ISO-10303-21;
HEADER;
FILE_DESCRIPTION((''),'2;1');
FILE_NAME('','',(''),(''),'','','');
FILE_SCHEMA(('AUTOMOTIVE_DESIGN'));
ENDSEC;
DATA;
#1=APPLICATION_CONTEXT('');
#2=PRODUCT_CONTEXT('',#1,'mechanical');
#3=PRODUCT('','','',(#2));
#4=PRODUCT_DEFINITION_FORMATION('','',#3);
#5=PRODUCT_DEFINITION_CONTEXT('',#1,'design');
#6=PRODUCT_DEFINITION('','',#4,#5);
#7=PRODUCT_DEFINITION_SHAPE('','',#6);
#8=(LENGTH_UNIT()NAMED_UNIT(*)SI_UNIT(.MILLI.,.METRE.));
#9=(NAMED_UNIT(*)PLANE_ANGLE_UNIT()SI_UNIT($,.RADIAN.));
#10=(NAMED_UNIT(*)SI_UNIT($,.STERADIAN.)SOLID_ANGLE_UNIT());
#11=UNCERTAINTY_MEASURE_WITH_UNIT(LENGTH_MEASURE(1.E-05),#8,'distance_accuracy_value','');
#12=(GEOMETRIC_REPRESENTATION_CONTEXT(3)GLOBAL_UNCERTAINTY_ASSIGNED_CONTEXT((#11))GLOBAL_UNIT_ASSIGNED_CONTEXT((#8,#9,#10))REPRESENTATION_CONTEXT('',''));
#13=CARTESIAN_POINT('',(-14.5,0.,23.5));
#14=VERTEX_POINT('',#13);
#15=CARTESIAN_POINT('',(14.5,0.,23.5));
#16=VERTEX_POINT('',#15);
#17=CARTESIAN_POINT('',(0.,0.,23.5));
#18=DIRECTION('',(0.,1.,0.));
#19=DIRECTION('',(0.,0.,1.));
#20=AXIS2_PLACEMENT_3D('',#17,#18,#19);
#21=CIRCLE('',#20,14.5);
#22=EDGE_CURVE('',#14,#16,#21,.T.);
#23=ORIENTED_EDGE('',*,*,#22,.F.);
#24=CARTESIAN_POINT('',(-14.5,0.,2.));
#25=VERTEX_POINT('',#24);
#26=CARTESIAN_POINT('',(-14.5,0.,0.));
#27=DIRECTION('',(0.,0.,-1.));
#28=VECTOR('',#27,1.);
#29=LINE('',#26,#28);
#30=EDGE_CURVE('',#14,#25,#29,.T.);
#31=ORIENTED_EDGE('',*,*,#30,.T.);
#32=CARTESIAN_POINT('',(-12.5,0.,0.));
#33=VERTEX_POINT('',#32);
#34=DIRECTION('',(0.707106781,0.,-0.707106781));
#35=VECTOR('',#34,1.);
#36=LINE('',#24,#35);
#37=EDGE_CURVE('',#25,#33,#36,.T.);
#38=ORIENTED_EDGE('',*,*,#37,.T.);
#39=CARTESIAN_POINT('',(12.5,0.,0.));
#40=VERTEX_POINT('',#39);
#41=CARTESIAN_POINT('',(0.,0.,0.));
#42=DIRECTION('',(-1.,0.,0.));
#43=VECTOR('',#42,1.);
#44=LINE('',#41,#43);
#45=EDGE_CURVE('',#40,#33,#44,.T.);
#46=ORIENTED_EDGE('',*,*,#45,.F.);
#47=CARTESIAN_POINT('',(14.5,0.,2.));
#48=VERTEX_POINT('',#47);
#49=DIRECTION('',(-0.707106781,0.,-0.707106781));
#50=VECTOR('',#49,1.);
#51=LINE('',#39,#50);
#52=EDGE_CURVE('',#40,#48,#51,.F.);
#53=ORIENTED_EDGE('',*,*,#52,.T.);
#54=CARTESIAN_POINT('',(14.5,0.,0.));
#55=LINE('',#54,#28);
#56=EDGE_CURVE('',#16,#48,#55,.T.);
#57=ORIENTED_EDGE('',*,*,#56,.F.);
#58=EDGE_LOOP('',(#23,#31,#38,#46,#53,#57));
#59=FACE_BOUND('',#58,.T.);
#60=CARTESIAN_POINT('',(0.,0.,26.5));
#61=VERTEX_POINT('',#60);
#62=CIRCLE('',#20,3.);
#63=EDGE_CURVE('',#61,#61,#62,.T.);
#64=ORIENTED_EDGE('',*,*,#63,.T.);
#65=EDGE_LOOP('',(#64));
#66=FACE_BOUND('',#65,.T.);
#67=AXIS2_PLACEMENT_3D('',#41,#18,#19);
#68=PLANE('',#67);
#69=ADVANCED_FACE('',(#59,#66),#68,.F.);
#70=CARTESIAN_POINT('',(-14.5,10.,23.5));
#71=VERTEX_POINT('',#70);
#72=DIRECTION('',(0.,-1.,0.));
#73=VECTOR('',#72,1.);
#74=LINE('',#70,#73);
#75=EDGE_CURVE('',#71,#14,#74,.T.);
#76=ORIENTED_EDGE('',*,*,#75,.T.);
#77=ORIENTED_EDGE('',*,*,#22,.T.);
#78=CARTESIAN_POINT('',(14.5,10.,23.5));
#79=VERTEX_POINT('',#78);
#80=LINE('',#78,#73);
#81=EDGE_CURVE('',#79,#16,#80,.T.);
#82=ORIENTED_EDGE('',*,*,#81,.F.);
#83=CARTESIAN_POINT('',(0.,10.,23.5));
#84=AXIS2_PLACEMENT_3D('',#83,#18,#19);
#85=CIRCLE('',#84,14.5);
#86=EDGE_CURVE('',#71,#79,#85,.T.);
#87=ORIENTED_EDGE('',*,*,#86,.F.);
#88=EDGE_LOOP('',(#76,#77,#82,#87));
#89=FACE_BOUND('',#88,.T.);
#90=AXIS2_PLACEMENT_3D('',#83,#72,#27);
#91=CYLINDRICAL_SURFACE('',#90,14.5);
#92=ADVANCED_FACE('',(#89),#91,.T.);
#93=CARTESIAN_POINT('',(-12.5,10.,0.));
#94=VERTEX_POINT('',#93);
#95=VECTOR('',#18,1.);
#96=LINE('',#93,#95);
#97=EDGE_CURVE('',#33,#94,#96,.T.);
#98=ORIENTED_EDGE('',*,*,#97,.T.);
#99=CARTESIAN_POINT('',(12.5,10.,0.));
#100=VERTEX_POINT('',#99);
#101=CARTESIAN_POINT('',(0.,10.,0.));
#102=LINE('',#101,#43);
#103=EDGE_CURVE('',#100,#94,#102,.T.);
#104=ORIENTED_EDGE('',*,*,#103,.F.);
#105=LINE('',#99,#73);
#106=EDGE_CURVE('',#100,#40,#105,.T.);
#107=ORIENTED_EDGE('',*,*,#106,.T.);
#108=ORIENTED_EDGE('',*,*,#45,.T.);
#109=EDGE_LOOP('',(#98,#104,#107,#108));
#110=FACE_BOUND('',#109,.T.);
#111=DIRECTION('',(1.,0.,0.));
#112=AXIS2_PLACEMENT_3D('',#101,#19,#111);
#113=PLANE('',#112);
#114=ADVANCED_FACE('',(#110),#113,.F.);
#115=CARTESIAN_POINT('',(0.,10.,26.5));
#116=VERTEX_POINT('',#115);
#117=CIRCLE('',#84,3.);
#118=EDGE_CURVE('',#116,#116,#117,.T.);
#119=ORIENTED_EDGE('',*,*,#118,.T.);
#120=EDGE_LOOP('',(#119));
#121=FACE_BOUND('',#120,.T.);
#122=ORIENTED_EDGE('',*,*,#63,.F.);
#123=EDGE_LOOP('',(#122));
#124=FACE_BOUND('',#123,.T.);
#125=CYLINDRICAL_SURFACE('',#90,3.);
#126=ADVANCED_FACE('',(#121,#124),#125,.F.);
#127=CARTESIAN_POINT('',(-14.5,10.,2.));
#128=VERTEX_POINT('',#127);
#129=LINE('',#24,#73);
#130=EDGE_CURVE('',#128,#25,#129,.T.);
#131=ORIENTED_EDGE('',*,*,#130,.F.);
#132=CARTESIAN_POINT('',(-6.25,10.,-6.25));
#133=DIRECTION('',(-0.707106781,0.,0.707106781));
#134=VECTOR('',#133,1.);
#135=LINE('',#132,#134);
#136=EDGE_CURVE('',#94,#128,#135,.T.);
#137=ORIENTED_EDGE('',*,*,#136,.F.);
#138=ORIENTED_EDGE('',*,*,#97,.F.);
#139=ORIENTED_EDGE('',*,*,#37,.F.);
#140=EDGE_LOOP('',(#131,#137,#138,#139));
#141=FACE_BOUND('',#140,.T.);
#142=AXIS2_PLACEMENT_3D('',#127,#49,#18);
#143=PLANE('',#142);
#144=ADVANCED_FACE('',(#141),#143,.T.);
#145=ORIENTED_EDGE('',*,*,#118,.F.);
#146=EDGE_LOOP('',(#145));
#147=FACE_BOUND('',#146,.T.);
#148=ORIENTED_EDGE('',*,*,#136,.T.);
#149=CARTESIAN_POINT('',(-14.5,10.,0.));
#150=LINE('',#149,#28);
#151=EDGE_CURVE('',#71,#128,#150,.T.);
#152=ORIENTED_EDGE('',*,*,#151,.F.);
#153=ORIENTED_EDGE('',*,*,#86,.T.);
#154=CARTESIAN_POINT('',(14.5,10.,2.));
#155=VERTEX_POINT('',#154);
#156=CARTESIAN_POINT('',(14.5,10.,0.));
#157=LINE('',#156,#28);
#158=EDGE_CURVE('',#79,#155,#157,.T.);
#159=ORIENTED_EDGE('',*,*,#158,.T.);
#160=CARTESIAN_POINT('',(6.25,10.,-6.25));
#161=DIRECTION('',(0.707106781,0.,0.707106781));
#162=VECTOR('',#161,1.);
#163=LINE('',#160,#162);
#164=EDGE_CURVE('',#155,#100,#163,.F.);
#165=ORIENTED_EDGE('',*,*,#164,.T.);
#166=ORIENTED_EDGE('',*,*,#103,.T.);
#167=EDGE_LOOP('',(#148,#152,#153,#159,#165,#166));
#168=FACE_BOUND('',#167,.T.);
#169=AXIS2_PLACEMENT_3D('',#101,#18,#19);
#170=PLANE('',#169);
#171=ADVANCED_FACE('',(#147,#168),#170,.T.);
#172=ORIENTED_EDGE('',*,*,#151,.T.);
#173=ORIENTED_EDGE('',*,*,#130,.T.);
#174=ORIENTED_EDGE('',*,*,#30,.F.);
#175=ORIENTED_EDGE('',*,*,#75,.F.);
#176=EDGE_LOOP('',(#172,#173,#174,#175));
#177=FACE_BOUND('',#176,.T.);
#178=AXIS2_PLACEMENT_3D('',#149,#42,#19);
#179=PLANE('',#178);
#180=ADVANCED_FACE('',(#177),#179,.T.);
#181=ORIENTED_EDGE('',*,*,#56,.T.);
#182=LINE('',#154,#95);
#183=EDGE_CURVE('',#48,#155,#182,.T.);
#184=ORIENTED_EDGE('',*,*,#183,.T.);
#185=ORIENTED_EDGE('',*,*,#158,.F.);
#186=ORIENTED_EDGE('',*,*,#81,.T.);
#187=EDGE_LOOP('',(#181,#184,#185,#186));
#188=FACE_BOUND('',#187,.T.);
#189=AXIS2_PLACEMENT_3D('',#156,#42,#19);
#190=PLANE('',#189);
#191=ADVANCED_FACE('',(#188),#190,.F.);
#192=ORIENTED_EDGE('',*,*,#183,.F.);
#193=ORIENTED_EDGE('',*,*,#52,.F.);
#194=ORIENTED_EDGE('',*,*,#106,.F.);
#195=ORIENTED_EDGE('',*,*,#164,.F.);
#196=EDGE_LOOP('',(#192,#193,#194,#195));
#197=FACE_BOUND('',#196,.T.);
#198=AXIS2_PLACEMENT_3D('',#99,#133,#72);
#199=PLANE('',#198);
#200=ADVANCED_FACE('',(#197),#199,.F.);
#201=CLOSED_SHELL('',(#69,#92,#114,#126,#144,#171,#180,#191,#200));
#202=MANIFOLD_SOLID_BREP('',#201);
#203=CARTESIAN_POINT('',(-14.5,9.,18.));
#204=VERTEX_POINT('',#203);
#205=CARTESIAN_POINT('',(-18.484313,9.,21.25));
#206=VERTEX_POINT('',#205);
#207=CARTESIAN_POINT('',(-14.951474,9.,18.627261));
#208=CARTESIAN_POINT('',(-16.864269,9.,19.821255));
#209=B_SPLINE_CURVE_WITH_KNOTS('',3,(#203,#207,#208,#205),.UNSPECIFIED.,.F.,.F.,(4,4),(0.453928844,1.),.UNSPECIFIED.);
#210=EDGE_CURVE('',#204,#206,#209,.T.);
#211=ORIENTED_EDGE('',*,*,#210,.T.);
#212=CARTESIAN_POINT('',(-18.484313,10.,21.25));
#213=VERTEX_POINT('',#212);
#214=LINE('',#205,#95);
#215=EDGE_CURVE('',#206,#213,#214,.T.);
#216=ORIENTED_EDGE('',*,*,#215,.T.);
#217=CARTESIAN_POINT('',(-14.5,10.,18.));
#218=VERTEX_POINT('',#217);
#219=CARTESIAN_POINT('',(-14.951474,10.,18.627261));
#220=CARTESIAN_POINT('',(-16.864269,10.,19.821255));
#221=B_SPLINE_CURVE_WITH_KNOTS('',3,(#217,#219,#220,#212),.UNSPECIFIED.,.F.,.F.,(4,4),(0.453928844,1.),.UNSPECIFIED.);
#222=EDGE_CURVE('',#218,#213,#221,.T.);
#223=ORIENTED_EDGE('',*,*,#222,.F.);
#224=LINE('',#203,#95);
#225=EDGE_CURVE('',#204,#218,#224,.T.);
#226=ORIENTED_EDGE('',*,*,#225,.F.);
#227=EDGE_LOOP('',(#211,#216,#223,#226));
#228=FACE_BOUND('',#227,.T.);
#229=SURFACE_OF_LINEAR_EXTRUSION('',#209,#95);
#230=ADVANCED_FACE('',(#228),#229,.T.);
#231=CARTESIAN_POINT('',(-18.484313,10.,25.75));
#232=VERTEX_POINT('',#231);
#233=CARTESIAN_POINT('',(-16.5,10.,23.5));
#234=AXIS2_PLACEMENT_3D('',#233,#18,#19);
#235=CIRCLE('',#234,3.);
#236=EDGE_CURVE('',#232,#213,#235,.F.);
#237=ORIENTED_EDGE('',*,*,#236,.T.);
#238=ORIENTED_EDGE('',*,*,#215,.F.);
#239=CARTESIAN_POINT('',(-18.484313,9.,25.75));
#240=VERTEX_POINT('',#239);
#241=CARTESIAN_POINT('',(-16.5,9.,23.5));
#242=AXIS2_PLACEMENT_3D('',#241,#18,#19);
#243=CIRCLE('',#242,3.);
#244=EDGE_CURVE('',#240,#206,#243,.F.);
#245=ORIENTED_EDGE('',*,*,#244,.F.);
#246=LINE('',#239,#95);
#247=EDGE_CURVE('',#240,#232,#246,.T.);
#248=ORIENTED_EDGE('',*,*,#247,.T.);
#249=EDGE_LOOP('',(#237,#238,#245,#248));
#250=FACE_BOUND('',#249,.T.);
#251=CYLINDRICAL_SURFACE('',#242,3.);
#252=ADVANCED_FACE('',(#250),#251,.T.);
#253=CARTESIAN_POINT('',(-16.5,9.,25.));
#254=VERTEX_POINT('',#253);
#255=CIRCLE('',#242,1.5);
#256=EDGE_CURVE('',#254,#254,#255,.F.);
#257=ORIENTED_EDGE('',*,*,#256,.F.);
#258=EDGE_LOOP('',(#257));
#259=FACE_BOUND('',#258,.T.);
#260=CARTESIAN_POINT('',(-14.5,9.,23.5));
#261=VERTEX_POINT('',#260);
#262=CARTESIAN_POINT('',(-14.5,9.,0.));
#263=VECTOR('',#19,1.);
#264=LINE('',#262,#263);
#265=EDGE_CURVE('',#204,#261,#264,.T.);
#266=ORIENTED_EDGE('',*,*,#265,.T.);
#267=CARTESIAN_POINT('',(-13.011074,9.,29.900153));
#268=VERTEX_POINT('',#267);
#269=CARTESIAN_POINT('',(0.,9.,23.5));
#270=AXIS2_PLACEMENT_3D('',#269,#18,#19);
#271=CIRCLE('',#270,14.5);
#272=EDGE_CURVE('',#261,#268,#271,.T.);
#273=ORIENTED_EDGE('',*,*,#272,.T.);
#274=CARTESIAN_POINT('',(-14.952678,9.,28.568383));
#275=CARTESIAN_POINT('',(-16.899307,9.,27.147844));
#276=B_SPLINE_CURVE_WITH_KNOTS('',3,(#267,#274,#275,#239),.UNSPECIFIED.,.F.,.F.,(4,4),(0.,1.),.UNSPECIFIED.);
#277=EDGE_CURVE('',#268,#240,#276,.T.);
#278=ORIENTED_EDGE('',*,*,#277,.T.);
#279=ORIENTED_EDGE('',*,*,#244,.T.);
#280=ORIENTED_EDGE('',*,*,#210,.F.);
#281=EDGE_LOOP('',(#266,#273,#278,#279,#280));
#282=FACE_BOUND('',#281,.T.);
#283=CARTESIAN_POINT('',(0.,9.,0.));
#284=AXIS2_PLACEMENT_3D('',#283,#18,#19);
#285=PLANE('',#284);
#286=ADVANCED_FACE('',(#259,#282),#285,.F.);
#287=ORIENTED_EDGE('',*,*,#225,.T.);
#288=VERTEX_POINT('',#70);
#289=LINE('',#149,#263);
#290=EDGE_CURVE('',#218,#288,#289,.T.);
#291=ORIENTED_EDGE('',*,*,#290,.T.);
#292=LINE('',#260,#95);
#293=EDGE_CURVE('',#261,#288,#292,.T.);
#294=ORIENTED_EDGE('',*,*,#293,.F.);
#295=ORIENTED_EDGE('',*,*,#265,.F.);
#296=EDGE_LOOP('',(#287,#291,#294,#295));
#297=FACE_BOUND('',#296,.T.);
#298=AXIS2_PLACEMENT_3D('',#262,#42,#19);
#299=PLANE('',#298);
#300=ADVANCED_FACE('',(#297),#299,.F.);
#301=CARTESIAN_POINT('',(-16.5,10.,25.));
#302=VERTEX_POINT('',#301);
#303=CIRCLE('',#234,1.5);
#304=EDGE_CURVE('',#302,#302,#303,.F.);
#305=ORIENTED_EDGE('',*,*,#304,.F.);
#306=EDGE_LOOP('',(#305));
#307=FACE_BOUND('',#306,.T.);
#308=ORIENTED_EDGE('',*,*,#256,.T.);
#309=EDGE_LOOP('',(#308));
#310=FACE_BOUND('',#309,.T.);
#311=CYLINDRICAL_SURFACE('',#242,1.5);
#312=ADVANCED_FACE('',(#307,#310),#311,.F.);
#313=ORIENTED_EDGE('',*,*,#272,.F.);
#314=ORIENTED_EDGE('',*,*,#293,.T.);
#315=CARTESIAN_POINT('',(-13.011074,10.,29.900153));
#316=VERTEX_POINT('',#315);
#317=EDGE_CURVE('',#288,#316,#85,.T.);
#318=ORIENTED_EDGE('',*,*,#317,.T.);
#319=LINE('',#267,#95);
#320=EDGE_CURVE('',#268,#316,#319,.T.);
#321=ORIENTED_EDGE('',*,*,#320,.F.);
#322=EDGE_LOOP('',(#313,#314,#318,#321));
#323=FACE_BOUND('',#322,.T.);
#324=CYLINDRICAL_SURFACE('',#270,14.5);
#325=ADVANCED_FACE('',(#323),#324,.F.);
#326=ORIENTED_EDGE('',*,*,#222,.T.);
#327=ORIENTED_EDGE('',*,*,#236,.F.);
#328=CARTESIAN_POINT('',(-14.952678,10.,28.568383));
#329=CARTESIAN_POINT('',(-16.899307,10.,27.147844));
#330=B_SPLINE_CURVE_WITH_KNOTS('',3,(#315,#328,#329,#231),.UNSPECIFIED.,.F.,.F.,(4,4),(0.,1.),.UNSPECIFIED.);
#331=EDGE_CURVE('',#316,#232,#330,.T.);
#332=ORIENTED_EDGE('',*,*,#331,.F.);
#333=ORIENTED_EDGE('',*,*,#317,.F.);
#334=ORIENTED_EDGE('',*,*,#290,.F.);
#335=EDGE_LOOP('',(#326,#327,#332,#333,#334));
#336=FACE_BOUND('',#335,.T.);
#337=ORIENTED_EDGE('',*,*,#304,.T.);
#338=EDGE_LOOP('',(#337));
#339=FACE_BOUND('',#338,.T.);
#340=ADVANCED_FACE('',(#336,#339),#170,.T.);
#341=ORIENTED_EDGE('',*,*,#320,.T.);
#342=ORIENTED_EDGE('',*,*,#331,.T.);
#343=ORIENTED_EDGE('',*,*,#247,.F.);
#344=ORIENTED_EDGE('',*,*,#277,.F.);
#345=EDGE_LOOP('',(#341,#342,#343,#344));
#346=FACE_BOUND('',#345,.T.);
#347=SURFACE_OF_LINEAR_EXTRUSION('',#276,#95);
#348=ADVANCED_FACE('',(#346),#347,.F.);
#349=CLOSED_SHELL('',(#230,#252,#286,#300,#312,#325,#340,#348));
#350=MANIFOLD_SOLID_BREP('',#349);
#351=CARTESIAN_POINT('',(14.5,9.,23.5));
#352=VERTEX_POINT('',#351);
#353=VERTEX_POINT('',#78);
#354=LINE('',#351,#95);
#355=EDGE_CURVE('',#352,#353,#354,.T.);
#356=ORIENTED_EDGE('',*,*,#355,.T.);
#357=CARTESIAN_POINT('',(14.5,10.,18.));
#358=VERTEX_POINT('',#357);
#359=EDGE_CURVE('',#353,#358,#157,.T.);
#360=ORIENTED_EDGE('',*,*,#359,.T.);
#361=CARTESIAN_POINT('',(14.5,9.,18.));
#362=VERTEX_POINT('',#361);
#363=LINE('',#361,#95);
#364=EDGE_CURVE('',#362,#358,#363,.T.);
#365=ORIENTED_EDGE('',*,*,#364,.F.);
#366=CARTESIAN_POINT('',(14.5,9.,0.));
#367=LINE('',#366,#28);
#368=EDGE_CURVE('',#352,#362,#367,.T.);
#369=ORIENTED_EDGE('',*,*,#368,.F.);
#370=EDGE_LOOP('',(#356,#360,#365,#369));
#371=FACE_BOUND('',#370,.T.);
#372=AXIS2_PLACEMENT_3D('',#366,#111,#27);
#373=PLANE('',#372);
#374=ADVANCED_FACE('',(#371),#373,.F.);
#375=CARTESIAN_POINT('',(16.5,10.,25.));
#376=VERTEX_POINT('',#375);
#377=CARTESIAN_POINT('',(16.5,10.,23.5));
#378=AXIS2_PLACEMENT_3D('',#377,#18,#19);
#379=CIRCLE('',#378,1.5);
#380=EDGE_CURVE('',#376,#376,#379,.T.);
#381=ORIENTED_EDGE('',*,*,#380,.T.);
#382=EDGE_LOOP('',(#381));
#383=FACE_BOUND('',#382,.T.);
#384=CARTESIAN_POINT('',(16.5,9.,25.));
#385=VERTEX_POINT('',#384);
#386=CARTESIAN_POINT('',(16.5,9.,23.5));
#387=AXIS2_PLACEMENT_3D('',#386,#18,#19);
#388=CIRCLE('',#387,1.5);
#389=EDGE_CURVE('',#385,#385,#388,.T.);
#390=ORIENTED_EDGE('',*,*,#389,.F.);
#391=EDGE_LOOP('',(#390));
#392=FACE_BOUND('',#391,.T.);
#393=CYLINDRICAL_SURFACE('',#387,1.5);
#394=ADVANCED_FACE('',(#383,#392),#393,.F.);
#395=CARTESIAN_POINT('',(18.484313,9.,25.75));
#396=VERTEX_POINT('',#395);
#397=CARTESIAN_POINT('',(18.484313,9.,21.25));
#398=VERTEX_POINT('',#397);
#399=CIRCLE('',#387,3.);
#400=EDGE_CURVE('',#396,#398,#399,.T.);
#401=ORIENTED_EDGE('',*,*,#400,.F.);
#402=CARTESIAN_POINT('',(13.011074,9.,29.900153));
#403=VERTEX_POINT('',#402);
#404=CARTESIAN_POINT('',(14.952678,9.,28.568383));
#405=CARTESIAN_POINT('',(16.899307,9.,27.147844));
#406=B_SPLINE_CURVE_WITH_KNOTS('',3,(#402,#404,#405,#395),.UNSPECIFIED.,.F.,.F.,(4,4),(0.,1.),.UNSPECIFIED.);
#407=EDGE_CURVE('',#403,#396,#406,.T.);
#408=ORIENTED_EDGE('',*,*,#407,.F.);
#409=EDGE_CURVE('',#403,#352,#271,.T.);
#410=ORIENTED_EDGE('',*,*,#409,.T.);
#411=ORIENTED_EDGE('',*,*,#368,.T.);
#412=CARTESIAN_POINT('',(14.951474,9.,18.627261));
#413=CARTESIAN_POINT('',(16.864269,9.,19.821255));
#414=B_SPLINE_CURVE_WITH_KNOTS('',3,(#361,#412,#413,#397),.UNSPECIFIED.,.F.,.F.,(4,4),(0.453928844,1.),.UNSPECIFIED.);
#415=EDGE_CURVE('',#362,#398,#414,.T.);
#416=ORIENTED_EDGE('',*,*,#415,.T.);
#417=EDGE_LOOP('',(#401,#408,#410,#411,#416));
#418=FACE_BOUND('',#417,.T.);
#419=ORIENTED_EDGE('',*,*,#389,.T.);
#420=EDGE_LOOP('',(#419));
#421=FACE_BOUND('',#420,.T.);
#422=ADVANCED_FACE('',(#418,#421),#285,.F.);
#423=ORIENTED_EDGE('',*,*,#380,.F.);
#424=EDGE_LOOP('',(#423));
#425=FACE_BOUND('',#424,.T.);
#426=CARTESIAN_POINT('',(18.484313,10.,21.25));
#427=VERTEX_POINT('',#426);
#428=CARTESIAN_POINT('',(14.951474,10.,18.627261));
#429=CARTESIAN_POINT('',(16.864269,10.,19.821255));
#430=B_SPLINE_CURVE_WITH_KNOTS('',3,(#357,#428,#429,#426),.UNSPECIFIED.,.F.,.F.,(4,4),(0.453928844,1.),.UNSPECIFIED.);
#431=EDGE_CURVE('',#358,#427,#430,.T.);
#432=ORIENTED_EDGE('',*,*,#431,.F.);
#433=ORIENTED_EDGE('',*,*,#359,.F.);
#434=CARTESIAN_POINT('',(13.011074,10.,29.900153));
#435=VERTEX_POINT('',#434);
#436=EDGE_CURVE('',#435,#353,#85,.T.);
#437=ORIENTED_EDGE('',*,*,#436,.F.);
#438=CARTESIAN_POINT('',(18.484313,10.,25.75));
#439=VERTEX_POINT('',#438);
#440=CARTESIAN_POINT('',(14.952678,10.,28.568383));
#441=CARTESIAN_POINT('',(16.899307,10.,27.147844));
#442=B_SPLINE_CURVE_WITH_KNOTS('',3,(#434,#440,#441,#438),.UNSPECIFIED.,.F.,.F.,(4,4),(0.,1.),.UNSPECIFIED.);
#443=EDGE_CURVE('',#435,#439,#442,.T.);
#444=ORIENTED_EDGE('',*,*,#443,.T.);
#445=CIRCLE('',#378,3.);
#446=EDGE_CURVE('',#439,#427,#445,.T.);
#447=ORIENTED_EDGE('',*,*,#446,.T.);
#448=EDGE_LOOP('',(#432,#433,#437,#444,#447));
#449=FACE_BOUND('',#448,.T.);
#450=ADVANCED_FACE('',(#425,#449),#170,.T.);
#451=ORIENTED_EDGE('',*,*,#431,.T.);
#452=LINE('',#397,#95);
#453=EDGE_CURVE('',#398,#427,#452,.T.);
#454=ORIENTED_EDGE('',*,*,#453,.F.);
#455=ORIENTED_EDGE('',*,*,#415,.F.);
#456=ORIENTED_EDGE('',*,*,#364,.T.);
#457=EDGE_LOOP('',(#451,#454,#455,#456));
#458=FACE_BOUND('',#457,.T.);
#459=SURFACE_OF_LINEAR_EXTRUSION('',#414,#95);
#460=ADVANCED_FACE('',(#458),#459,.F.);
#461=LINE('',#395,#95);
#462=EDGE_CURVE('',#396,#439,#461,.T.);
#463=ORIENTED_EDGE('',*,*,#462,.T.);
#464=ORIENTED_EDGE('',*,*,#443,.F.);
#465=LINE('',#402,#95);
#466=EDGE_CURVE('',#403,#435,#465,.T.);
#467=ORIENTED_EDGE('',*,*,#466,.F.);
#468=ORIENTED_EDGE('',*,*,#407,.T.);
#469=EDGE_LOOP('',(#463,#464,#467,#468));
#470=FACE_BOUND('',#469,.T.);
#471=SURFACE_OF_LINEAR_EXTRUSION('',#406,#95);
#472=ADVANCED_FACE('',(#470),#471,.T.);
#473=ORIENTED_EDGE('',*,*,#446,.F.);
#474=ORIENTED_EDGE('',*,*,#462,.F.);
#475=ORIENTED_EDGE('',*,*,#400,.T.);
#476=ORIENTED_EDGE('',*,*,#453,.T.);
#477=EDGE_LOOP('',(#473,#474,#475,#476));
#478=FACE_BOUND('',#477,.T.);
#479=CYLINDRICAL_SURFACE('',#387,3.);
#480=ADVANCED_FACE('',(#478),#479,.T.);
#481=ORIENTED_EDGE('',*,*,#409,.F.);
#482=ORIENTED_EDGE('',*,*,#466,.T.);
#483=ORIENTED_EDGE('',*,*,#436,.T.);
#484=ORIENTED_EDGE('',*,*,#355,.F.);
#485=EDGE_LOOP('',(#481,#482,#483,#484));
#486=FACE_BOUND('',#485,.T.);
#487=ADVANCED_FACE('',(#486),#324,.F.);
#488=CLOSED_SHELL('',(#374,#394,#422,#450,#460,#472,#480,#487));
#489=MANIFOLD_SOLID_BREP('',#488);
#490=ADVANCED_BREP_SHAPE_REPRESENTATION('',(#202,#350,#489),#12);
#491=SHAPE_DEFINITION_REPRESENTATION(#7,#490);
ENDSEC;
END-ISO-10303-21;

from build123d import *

# Parameters (mm, degrees)
CROQUIS1_R                = 3
SALIENTE_EXTRUIR1_DEPTH   = 10
CROQUIS2_R                = 1.5
SALIENTE_EXTRUIR2_DEPTH   = 1
SALIENTE_EXTRUIR2_2_DEPTH = 1
CHAFL_N1_SIZE             = 2


with BuildPart() as part:
    # Croquis1 → Saliente-Extruir1 (new body)
    with BuildSketch(Plane(origin=(0, 0, 0), x_dir=(-1, 0, 0), z_dir=(0, 1, 0))):
        with BuildLine():
            Line((14.5, 0), (14.5, 23.5))
            ThreePointArc((14.5, 23.5), (0, 38), (-14.5, 23.5))
            Line((-14.5, 23.5), (-14.5, 0))
            Line((-14.5, 0), (14.5, 0))
        make_face()
        with Locations(Location((0, 23.5, 0), (0, 0, 90))):
            Circle(CROQUIS1_R, mode=Mode.SUBTRACT)
    extrude(amount=SALIENTE_EXTRUIR1_DEPTH)

    # Chaflán1
    chafl_n1_edges = [part.edges().sort_by_distance(p)[0] for p in [
        (-14.5, 5, 0),
        (14.5, 5, 0),
    ]]
    chamfer(chafl_n1_edges, length=CHAFL_N1_SIZE)


with BuildPart() as body_2:
    # Croquis2 → Saliente-Extruir2 (new body)
    with BuildSketch(Plane(origin=(0, 10, 0), x_dir=(-1, 0, 0), z_dir=(0, 1, 0))):
        with BuildLine():
            Line((-14.5, 18), (-14.5, 23.5))
            ThreePointArc((-14.5, 23.5), (-14.122863947, 26.785530998), (-13.011073939, 29.900152729))
            add(Edge.make_bspline(
                [(-13.011073939, 29.900152729), (-14.952678114, 28.568382729), (-16.899307295, 27.147844067), (-18.484313483, 25.75)],
                knots=[0, 0, 0, 0, 1, 1, 1, 1], degree=3))
            ThreePointArc((-18.484313483, 25.75), (-19.5, 23.5), (-18.484313483, 21.25))
            add(Edge.make_bspline(
                [(-14.5, 18), (-14.951474475, 18.627261122), (-16.864269141, 19.821255186), (-18.484313483, 21.25)],
                knots=[0.453928844, 0.453928844, 0.453928844, 0.453928844, 1, 1, 1, 1], degree=3))
        make_face()
        with Locations(Location((-16.5, 23.5, 0), (0, 0, 90))):
            Circle(CROQUIS2_R, mode=Mode.SUBTRACT)
    extrude(amount=-SALIENTE_EXTRUIR2_DEPTH)


with BuildPart() as body_3:
    # Croquis2 → Saliente-Extruir2 2 (new body)
    with BuildSketch(Plane(origin=(0, 10, 0), x_dir=(-1, 0, 0), z_dir=(0, 1, 0))):
        with BuildLine():
            add(Edge.make_bspline(
                [(13.011073939, 29.900152729), (14.952678114, 28.568382729), (16.899307295, 27.147844067), (18.484313483, 25.75)],
                knots=[0, 0, 0, 0, 1, 1, 1, 1], degree=3))
            ThreePointArc((13.011073939, 29.900152729), (14.122863947, 26.785530998), (14.5, 23.5))
            Line((14.5, 23.5), (14.5, 18))
            add(Edge.make_bspline(
                [(14.5, 18), (14.951474475, 18.627261122), (16.864269141, 19.821255186), (18.484313483, 21.25)],
                knots=[0.453928844, 0.453928844, 0.453928844, 0.453928844, 1, 1, 1, 1], degree=3))
            ThreePointArc((18.484313483, 21.25), (19.5, 23.5), (18.484313483, 25.75))
        make_face()
        with Locations(Location((16.5, 23.5, 0), (0, 0, 90))):
            Circle(CROQUIS2_R, mode=Mode.SUBTRACT)
    extrude(amount=-SALIENTE_EXTRUIR2_2_DEPTH)


solid = Compound([part.part, body_2.part, body_3.part])
